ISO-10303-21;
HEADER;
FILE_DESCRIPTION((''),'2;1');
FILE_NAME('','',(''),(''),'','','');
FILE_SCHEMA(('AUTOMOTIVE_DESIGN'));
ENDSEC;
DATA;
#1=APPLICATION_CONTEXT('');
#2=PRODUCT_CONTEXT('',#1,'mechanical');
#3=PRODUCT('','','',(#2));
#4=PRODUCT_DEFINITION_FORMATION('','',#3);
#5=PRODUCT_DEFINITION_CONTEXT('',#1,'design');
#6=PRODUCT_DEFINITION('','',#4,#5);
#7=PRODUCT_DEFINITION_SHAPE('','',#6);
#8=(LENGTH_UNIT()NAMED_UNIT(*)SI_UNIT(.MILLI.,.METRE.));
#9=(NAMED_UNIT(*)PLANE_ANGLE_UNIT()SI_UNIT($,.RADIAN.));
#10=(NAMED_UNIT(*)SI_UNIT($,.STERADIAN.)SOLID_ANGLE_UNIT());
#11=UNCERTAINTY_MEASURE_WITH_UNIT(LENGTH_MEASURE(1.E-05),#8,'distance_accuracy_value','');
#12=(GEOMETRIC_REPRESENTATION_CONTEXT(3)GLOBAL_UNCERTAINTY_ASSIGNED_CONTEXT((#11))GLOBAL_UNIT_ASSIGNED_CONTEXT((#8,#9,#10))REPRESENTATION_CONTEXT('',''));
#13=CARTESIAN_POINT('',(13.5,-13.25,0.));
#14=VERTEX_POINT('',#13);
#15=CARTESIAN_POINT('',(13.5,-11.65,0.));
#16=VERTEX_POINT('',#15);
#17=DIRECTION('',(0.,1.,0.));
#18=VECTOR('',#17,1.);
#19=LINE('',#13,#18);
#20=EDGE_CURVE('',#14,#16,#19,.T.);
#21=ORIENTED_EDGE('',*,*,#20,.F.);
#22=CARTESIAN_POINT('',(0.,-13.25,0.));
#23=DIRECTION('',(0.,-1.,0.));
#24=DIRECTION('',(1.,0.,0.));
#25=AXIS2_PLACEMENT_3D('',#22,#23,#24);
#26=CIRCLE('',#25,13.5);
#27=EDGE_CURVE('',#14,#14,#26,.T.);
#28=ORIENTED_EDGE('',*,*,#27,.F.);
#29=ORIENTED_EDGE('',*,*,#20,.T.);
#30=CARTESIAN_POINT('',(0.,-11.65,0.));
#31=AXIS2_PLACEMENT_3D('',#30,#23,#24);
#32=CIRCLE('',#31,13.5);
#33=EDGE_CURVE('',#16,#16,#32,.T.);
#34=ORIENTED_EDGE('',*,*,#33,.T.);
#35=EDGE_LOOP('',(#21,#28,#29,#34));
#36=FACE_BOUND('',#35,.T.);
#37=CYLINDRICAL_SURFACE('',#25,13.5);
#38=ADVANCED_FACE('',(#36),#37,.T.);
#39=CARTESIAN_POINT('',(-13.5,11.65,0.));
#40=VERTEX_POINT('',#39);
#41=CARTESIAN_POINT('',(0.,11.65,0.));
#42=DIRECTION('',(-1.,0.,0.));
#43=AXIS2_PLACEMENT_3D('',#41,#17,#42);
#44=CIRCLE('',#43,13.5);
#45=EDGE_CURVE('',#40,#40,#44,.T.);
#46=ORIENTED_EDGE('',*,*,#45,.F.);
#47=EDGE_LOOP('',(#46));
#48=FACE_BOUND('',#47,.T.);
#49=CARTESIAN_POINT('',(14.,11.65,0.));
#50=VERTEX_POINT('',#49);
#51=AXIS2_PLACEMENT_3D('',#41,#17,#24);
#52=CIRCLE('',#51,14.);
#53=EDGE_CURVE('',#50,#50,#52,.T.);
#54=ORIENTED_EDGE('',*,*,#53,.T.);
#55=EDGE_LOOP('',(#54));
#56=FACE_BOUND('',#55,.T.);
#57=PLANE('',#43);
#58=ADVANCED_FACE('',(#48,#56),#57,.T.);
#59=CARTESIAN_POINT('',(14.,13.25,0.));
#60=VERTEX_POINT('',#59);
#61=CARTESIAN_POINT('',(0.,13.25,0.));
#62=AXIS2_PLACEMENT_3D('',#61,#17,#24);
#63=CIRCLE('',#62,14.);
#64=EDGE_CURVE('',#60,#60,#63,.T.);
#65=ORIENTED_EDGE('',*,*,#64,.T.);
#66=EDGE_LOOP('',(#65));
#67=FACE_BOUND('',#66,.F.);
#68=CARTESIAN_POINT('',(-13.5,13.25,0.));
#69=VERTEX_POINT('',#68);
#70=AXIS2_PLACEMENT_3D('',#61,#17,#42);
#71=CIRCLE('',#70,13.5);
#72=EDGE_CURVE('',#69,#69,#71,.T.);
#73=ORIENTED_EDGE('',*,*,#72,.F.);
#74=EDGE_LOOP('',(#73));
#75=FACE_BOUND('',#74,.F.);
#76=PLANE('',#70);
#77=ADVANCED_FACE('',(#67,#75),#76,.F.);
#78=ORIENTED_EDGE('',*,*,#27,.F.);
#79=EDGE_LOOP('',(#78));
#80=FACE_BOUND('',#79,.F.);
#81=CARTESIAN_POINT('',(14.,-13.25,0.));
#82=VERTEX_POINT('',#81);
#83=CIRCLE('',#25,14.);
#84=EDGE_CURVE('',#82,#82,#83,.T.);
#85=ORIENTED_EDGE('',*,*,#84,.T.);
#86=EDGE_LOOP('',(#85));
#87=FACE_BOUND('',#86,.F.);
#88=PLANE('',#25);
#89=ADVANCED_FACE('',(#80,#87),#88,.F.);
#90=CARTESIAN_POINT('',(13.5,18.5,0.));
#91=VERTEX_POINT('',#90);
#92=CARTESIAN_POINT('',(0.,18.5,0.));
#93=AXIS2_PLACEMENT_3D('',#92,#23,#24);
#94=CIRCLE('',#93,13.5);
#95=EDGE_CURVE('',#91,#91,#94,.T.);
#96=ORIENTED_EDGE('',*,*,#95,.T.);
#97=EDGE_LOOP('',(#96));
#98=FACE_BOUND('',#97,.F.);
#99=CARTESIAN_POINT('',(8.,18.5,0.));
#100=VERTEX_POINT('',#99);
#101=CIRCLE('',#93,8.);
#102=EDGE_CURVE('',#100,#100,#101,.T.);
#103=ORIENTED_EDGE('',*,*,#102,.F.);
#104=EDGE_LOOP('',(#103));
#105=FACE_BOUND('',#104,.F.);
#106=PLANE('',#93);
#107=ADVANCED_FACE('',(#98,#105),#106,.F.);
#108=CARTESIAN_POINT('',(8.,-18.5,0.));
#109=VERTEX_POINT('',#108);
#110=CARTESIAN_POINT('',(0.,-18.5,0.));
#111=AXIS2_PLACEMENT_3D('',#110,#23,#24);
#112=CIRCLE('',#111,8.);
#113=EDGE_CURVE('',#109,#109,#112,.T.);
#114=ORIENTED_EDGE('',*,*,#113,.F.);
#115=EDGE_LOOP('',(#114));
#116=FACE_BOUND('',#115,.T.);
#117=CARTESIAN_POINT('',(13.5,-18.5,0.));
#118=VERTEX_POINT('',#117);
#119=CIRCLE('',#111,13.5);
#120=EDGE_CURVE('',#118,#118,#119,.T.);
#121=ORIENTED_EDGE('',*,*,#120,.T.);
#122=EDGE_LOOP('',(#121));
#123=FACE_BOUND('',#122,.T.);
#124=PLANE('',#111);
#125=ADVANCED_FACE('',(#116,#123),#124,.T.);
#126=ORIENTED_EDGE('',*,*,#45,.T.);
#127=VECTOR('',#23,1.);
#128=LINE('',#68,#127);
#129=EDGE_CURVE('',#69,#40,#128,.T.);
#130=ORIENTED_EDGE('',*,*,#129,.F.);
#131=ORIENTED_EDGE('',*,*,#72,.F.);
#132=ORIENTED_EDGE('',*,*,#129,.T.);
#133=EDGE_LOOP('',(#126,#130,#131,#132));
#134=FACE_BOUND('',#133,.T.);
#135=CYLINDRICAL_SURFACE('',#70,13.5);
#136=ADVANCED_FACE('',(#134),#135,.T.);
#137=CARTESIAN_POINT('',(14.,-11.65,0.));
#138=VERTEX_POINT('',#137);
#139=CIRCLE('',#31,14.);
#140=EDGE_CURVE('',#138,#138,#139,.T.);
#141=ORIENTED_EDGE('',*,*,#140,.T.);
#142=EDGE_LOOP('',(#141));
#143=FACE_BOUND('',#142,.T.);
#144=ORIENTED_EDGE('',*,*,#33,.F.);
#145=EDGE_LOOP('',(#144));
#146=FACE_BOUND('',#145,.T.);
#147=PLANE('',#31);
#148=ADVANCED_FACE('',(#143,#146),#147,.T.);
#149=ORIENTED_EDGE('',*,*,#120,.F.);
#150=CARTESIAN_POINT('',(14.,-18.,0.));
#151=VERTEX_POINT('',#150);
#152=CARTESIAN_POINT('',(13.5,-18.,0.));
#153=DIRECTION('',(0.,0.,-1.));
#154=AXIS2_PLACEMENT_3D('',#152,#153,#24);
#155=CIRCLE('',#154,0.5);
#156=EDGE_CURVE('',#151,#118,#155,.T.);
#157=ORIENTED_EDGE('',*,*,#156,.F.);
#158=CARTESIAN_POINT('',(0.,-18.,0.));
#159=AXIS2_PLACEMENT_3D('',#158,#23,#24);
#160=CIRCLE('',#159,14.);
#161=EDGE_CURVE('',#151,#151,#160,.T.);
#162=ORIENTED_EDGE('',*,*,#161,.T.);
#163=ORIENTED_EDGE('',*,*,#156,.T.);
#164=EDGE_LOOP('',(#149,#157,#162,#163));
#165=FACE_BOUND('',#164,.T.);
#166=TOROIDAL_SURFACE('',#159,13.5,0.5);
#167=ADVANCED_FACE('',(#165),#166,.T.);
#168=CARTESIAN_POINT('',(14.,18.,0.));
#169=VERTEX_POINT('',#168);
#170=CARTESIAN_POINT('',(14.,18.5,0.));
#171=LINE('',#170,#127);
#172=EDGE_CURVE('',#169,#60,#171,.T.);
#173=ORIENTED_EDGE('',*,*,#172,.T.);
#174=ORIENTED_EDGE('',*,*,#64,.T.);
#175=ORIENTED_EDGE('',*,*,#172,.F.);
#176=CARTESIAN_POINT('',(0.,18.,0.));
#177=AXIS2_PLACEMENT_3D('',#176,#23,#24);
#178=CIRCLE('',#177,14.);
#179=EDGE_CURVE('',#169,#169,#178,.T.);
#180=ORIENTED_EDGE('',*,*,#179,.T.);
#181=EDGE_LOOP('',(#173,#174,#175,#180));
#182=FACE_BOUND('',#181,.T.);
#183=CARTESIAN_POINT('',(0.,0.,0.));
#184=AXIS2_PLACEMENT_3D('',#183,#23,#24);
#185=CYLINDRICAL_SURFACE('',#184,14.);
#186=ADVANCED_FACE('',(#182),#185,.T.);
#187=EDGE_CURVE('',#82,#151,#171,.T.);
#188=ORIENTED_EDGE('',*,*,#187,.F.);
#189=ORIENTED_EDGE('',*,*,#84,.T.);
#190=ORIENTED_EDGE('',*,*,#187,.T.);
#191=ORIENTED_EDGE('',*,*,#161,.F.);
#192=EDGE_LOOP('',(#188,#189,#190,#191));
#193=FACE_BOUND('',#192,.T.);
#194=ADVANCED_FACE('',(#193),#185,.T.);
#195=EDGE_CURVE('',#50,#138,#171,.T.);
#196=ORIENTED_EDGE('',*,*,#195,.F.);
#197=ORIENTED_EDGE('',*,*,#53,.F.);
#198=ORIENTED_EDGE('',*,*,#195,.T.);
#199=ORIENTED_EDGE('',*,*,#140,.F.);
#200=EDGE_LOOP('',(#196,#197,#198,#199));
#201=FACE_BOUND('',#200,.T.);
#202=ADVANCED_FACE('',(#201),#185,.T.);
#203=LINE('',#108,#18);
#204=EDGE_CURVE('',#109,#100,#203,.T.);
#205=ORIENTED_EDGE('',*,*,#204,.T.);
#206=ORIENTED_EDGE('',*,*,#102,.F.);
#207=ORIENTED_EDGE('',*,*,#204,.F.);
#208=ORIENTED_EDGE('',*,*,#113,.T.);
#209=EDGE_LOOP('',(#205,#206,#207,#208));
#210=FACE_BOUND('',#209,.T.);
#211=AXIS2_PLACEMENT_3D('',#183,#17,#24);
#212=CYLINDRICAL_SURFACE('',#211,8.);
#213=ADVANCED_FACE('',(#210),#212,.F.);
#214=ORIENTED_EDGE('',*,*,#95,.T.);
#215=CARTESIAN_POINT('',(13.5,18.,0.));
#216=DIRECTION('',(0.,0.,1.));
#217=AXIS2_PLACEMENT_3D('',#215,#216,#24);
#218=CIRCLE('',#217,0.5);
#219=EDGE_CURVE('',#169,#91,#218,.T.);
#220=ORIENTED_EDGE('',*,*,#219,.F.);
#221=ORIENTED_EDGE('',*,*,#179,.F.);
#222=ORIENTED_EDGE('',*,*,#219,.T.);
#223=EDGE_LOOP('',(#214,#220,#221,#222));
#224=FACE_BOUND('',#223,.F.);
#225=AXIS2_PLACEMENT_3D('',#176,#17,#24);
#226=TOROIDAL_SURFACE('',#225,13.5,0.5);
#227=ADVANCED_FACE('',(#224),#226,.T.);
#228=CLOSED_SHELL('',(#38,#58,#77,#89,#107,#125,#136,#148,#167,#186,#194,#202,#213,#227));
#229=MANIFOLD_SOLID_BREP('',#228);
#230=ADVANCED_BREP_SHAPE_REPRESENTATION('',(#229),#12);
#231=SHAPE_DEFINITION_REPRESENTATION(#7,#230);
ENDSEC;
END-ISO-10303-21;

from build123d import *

# Parameters (mm, degrees)
F0_R     = 14
F0_R_2   = 8
F1_DEPTH = 18.5
F3_START = -5.25
F2_R     = 16.723627754
F2_R_2   = 13.5
F3_DEPTH = 1.6
F5_START = -5.25
F4_R     = 14
F4_R_2   = 13.5
F5_DEPTH = 1.6
F6_R     = 0.5


with BuildPart() as f1:
    # F0 (on Front) → F1 (new body, symmetric)
    with BuildSketch(Plane.XZ):
        Circle(F0_R)
        Circle(F0_R_2, mode=Mode.SUBTRACT)
    extrude(amount=F1_DEPTH, both=True)

    # F2 (on face) → F3 (cut)
    with BuildSketch(Plane.XZ.offset(18.5).offset(F3_START)):
        Circle(F2_R)
        Circle(F2_R_2, mode=Mode.SUBTRACT)
    extrude(amount=-F3_DEPTH, mode=Mode.SUBTRACT)

    # F4 (on face) → F5 (cut)
    with BuildSketch(Plane(origin=(0, 18.5, 0), x_dir=(-1, 0, 0), z_dir=(0, 1, 0)).offset(F5_START)):
        Circle(F4_R)
        Circle(F4_R_2, mode=Mode.SUBTRACT)
    extrude(amount=-F5_DEPTH, mode=Mode.SUBTRACT)

    # F6
    f6_edges = [f1.edges().sort_by_distance(p)[0] for p in [
        (-14, 18.5, 0),
        (-14, -18.5, 0),
    ]]
    fillet(f6_edges, radius=F6_R)


solid = f1.part
